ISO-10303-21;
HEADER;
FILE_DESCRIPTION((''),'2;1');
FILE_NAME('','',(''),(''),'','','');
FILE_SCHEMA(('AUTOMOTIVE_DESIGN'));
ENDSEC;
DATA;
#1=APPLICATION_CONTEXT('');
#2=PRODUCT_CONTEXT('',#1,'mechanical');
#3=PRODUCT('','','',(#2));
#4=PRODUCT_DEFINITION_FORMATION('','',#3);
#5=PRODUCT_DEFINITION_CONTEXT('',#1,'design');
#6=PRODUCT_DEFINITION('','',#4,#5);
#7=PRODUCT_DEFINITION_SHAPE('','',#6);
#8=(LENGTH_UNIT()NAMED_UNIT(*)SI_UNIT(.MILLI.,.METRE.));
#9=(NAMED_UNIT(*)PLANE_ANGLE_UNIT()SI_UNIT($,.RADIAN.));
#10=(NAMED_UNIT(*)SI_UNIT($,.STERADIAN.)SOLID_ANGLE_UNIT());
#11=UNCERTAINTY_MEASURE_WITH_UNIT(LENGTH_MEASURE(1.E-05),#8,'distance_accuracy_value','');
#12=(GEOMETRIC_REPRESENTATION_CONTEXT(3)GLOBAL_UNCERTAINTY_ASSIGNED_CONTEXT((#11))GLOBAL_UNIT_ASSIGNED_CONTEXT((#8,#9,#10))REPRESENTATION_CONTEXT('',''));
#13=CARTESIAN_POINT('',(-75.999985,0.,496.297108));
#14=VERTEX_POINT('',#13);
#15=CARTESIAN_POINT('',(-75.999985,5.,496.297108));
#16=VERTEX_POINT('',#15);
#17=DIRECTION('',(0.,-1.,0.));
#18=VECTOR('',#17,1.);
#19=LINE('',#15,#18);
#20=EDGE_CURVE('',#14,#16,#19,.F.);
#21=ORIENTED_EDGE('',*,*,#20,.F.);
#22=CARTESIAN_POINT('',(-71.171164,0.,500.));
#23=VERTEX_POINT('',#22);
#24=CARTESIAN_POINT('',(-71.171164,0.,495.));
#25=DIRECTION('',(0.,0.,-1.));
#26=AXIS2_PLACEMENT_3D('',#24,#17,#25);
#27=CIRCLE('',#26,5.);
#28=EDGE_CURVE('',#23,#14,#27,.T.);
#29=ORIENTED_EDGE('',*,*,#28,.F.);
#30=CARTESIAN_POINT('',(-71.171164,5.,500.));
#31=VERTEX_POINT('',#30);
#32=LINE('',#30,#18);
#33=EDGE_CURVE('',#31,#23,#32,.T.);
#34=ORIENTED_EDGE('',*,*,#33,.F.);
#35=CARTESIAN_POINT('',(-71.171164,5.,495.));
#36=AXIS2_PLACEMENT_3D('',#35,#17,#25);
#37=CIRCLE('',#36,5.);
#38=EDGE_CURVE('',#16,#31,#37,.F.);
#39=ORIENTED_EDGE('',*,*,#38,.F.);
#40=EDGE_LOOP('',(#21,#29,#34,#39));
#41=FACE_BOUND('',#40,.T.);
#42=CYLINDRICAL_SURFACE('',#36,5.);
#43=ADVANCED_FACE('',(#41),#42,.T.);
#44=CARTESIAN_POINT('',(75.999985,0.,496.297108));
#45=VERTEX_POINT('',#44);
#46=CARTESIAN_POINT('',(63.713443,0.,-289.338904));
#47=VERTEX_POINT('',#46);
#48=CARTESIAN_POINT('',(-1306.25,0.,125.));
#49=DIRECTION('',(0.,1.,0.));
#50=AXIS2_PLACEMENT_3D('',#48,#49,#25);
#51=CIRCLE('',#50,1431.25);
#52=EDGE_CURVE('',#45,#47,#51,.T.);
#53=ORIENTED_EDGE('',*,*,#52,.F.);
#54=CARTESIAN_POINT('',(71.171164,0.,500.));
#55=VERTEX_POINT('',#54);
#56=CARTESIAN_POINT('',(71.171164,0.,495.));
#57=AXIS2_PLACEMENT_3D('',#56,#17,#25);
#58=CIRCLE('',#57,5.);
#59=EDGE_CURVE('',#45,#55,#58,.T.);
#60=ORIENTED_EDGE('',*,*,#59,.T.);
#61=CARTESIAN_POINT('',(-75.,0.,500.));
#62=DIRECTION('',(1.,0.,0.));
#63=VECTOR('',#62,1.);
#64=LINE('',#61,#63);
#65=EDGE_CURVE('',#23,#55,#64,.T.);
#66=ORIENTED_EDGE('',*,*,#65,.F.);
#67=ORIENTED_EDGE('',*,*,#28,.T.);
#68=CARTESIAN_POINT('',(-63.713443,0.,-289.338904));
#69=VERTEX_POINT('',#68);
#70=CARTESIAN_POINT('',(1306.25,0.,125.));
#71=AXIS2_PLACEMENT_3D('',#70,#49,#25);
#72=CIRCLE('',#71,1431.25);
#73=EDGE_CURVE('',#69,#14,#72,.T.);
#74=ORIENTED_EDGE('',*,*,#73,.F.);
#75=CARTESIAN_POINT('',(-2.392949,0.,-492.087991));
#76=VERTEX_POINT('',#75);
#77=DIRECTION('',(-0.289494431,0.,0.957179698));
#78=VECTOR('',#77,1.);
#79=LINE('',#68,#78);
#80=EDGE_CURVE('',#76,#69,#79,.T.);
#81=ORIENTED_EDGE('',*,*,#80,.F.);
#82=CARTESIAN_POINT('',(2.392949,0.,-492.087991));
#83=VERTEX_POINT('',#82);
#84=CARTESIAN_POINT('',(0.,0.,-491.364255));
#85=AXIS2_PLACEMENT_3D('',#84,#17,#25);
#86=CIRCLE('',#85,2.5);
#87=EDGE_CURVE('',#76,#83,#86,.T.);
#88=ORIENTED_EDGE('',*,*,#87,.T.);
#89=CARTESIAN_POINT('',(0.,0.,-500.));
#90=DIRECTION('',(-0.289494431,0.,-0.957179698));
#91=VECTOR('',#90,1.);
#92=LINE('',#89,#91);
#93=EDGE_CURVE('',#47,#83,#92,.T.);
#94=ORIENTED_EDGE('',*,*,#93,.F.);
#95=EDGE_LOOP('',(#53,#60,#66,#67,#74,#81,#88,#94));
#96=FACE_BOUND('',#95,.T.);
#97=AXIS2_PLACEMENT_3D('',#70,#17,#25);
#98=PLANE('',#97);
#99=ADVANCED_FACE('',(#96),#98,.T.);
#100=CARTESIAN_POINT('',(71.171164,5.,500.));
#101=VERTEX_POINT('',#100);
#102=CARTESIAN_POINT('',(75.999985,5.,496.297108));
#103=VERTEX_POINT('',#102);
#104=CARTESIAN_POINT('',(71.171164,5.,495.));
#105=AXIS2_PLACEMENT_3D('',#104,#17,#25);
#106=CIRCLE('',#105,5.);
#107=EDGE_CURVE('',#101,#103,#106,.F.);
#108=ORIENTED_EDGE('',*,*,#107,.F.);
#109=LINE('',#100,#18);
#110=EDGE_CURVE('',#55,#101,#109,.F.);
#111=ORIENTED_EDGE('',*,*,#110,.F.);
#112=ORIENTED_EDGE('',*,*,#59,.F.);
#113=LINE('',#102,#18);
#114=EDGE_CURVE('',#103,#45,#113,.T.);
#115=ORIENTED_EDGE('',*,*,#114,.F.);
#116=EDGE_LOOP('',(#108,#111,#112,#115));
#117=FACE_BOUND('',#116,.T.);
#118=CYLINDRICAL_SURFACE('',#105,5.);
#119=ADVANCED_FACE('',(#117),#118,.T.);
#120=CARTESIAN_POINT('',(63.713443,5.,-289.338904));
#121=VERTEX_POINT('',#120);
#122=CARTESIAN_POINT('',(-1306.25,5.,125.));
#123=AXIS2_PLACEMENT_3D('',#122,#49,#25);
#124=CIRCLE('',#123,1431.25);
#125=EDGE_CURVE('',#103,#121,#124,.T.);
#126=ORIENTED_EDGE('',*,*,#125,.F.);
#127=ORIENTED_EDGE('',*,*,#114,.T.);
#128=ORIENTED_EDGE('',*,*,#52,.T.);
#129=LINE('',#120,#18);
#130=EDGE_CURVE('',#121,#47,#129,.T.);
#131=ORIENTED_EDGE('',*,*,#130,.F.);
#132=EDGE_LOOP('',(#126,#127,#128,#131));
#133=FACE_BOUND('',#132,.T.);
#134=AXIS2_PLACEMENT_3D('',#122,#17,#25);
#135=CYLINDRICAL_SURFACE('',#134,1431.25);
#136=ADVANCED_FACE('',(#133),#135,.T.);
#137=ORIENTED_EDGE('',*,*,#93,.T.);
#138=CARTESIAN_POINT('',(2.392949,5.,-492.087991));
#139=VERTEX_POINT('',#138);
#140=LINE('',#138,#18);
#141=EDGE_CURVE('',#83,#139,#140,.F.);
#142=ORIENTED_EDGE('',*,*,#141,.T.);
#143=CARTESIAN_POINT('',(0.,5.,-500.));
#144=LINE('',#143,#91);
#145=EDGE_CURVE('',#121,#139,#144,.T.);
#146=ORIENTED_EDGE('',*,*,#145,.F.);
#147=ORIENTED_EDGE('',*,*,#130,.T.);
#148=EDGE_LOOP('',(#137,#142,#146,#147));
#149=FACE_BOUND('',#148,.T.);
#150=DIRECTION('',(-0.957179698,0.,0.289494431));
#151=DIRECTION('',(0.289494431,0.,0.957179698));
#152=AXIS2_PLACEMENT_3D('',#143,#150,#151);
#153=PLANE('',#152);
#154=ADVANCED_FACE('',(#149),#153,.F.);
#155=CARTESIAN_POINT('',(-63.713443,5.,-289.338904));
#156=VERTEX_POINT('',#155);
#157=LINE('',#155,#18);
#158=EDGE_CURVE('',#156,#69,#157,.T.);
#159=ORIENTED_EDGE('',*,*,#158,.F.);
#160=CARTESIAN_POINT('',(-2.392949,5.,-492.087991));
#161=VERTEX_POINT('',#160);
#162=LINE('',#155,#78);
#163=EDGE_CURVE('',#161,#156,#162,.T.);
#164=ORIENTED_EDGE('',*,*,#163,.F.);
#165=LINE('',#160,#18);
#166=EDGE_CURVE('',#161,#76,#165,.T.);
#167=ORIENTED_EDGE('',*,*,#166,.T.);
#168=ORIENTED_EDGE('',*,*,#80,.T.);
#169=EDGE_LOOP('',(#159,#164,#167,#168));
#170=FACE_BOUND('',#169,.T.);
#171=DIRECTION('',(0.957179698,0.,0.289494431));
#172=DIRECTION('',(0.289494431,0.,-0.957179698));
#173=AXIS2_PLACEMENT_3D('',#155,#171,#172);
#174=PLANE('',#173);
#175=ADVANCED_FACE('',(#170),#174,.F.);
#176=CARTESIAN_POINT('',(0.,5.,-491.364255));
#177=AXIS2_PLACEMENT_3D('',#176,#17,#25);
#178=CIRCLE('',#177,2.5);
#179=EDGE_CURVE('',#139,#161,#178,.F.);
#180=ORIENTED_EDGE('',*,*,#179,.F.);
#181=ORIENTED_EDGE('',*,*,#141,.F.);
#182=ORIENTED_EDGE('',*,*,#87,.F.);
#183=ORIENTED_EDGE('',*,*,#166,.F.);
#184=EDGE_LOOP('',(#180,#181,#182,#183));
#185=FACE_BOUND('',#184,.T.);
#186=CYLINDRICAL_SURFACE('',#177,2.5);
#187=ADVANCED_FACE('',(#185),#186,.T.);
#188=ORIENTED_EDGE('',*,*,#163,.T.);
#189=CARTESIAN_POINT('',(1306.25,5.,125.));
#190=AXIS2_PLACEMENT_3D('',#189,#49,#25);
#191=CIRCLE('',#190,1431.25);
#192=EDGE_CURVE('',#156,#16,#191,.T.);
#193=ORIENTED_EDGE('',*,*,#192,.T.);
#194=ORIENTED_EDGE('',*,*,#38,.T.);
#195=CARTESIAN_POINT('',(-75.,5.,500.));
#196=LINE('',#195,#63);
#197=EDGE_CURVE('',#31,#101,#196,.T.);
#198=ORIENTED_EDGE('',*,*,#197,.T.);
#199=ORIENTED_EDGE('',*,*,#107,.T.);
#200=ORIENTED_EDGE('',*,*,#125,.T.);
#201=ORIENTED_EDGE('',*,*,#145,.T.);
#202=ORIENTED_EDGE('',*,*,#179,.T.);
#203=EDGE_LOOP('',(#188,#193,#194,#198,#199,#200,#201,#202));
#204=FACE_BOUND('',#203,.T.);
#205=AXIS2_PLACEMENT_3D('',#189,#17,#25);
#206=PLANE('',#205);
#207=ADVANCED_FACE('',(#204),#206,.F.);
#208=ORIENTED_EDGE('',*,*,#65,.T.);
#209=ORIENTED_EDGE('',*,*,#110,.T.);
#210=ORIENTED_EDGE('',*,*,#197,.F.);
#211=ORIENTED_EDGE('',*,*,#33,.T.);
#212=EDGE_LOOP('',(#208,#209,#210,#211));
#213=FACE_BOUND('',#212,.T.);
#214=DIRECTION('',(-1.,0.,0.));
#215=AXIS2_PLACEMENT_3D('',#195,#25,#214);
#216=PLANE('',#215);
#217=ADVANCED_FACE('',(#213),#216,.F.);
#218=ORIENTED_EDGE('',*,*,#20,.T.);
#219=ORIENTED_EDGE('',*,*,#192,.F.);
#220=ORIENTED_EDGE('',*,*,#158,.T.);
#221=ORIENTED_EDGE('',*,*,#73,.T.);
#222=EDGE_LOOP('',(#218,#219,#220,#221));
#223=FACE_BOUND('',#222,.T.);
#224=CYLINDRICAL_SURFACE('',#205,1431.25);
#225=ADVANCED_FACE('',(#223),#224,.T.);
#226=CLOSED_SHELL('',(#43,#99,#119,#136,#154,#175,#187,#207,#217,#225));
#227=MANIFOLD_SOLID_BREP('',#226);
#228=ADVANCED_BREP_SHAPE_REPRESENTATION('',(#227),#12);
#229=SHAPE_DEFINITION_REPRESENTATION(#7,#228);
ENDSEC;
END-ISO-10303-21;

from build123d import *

# Parameters (mm, degrees)
BOSS_EXTRUDE1_DEPTH = 5
FILLET1_R           = 5
FILLET2_R           = 2.5


with BuildPart() as part:
    # Sketch1 → Boss-Extrude1 (new body)
    with BuildSketch(Plane(origin=(0, 0, 0), x_dir=(1, 0, 0), z_dir=(0, 1, 0))):
        with BuildLine():
            Line((-75, -500), (75, -500))
            ThreePointArc((75, -500), (124.853709924, -104.537010412), (63.713442869, 289.338904404))
            Line((63.713442869, 289.338904404), (0, 500))
            Line((0, 500), (-63.713442869, 289.338904404))
            ThreePointArc((-63.713442869, 289.338904404), (-124.853709924, -104.537010412), (-75, -500))
        make_face()
    extrude(amount=BOSS_EXTRUDE1_DEPTH)

    # Fillet1
    fillet1_edges = [part.edges().sort_by_distance(p)[0] for p in [
        (75, 2.5, 500),
        (-75, 2.5, 500),
    ]]
    fillet(fillet1_edges, radius=FILLET1_R)

    # Fillet2
    fillet2_edges = [part.edges().sort_by_distance(p)[0] for p in [
        (0, 2.5, -500),
    ]]
    fillet(fillet2_edges, radius=FILLET2_R)


solid = part.part
